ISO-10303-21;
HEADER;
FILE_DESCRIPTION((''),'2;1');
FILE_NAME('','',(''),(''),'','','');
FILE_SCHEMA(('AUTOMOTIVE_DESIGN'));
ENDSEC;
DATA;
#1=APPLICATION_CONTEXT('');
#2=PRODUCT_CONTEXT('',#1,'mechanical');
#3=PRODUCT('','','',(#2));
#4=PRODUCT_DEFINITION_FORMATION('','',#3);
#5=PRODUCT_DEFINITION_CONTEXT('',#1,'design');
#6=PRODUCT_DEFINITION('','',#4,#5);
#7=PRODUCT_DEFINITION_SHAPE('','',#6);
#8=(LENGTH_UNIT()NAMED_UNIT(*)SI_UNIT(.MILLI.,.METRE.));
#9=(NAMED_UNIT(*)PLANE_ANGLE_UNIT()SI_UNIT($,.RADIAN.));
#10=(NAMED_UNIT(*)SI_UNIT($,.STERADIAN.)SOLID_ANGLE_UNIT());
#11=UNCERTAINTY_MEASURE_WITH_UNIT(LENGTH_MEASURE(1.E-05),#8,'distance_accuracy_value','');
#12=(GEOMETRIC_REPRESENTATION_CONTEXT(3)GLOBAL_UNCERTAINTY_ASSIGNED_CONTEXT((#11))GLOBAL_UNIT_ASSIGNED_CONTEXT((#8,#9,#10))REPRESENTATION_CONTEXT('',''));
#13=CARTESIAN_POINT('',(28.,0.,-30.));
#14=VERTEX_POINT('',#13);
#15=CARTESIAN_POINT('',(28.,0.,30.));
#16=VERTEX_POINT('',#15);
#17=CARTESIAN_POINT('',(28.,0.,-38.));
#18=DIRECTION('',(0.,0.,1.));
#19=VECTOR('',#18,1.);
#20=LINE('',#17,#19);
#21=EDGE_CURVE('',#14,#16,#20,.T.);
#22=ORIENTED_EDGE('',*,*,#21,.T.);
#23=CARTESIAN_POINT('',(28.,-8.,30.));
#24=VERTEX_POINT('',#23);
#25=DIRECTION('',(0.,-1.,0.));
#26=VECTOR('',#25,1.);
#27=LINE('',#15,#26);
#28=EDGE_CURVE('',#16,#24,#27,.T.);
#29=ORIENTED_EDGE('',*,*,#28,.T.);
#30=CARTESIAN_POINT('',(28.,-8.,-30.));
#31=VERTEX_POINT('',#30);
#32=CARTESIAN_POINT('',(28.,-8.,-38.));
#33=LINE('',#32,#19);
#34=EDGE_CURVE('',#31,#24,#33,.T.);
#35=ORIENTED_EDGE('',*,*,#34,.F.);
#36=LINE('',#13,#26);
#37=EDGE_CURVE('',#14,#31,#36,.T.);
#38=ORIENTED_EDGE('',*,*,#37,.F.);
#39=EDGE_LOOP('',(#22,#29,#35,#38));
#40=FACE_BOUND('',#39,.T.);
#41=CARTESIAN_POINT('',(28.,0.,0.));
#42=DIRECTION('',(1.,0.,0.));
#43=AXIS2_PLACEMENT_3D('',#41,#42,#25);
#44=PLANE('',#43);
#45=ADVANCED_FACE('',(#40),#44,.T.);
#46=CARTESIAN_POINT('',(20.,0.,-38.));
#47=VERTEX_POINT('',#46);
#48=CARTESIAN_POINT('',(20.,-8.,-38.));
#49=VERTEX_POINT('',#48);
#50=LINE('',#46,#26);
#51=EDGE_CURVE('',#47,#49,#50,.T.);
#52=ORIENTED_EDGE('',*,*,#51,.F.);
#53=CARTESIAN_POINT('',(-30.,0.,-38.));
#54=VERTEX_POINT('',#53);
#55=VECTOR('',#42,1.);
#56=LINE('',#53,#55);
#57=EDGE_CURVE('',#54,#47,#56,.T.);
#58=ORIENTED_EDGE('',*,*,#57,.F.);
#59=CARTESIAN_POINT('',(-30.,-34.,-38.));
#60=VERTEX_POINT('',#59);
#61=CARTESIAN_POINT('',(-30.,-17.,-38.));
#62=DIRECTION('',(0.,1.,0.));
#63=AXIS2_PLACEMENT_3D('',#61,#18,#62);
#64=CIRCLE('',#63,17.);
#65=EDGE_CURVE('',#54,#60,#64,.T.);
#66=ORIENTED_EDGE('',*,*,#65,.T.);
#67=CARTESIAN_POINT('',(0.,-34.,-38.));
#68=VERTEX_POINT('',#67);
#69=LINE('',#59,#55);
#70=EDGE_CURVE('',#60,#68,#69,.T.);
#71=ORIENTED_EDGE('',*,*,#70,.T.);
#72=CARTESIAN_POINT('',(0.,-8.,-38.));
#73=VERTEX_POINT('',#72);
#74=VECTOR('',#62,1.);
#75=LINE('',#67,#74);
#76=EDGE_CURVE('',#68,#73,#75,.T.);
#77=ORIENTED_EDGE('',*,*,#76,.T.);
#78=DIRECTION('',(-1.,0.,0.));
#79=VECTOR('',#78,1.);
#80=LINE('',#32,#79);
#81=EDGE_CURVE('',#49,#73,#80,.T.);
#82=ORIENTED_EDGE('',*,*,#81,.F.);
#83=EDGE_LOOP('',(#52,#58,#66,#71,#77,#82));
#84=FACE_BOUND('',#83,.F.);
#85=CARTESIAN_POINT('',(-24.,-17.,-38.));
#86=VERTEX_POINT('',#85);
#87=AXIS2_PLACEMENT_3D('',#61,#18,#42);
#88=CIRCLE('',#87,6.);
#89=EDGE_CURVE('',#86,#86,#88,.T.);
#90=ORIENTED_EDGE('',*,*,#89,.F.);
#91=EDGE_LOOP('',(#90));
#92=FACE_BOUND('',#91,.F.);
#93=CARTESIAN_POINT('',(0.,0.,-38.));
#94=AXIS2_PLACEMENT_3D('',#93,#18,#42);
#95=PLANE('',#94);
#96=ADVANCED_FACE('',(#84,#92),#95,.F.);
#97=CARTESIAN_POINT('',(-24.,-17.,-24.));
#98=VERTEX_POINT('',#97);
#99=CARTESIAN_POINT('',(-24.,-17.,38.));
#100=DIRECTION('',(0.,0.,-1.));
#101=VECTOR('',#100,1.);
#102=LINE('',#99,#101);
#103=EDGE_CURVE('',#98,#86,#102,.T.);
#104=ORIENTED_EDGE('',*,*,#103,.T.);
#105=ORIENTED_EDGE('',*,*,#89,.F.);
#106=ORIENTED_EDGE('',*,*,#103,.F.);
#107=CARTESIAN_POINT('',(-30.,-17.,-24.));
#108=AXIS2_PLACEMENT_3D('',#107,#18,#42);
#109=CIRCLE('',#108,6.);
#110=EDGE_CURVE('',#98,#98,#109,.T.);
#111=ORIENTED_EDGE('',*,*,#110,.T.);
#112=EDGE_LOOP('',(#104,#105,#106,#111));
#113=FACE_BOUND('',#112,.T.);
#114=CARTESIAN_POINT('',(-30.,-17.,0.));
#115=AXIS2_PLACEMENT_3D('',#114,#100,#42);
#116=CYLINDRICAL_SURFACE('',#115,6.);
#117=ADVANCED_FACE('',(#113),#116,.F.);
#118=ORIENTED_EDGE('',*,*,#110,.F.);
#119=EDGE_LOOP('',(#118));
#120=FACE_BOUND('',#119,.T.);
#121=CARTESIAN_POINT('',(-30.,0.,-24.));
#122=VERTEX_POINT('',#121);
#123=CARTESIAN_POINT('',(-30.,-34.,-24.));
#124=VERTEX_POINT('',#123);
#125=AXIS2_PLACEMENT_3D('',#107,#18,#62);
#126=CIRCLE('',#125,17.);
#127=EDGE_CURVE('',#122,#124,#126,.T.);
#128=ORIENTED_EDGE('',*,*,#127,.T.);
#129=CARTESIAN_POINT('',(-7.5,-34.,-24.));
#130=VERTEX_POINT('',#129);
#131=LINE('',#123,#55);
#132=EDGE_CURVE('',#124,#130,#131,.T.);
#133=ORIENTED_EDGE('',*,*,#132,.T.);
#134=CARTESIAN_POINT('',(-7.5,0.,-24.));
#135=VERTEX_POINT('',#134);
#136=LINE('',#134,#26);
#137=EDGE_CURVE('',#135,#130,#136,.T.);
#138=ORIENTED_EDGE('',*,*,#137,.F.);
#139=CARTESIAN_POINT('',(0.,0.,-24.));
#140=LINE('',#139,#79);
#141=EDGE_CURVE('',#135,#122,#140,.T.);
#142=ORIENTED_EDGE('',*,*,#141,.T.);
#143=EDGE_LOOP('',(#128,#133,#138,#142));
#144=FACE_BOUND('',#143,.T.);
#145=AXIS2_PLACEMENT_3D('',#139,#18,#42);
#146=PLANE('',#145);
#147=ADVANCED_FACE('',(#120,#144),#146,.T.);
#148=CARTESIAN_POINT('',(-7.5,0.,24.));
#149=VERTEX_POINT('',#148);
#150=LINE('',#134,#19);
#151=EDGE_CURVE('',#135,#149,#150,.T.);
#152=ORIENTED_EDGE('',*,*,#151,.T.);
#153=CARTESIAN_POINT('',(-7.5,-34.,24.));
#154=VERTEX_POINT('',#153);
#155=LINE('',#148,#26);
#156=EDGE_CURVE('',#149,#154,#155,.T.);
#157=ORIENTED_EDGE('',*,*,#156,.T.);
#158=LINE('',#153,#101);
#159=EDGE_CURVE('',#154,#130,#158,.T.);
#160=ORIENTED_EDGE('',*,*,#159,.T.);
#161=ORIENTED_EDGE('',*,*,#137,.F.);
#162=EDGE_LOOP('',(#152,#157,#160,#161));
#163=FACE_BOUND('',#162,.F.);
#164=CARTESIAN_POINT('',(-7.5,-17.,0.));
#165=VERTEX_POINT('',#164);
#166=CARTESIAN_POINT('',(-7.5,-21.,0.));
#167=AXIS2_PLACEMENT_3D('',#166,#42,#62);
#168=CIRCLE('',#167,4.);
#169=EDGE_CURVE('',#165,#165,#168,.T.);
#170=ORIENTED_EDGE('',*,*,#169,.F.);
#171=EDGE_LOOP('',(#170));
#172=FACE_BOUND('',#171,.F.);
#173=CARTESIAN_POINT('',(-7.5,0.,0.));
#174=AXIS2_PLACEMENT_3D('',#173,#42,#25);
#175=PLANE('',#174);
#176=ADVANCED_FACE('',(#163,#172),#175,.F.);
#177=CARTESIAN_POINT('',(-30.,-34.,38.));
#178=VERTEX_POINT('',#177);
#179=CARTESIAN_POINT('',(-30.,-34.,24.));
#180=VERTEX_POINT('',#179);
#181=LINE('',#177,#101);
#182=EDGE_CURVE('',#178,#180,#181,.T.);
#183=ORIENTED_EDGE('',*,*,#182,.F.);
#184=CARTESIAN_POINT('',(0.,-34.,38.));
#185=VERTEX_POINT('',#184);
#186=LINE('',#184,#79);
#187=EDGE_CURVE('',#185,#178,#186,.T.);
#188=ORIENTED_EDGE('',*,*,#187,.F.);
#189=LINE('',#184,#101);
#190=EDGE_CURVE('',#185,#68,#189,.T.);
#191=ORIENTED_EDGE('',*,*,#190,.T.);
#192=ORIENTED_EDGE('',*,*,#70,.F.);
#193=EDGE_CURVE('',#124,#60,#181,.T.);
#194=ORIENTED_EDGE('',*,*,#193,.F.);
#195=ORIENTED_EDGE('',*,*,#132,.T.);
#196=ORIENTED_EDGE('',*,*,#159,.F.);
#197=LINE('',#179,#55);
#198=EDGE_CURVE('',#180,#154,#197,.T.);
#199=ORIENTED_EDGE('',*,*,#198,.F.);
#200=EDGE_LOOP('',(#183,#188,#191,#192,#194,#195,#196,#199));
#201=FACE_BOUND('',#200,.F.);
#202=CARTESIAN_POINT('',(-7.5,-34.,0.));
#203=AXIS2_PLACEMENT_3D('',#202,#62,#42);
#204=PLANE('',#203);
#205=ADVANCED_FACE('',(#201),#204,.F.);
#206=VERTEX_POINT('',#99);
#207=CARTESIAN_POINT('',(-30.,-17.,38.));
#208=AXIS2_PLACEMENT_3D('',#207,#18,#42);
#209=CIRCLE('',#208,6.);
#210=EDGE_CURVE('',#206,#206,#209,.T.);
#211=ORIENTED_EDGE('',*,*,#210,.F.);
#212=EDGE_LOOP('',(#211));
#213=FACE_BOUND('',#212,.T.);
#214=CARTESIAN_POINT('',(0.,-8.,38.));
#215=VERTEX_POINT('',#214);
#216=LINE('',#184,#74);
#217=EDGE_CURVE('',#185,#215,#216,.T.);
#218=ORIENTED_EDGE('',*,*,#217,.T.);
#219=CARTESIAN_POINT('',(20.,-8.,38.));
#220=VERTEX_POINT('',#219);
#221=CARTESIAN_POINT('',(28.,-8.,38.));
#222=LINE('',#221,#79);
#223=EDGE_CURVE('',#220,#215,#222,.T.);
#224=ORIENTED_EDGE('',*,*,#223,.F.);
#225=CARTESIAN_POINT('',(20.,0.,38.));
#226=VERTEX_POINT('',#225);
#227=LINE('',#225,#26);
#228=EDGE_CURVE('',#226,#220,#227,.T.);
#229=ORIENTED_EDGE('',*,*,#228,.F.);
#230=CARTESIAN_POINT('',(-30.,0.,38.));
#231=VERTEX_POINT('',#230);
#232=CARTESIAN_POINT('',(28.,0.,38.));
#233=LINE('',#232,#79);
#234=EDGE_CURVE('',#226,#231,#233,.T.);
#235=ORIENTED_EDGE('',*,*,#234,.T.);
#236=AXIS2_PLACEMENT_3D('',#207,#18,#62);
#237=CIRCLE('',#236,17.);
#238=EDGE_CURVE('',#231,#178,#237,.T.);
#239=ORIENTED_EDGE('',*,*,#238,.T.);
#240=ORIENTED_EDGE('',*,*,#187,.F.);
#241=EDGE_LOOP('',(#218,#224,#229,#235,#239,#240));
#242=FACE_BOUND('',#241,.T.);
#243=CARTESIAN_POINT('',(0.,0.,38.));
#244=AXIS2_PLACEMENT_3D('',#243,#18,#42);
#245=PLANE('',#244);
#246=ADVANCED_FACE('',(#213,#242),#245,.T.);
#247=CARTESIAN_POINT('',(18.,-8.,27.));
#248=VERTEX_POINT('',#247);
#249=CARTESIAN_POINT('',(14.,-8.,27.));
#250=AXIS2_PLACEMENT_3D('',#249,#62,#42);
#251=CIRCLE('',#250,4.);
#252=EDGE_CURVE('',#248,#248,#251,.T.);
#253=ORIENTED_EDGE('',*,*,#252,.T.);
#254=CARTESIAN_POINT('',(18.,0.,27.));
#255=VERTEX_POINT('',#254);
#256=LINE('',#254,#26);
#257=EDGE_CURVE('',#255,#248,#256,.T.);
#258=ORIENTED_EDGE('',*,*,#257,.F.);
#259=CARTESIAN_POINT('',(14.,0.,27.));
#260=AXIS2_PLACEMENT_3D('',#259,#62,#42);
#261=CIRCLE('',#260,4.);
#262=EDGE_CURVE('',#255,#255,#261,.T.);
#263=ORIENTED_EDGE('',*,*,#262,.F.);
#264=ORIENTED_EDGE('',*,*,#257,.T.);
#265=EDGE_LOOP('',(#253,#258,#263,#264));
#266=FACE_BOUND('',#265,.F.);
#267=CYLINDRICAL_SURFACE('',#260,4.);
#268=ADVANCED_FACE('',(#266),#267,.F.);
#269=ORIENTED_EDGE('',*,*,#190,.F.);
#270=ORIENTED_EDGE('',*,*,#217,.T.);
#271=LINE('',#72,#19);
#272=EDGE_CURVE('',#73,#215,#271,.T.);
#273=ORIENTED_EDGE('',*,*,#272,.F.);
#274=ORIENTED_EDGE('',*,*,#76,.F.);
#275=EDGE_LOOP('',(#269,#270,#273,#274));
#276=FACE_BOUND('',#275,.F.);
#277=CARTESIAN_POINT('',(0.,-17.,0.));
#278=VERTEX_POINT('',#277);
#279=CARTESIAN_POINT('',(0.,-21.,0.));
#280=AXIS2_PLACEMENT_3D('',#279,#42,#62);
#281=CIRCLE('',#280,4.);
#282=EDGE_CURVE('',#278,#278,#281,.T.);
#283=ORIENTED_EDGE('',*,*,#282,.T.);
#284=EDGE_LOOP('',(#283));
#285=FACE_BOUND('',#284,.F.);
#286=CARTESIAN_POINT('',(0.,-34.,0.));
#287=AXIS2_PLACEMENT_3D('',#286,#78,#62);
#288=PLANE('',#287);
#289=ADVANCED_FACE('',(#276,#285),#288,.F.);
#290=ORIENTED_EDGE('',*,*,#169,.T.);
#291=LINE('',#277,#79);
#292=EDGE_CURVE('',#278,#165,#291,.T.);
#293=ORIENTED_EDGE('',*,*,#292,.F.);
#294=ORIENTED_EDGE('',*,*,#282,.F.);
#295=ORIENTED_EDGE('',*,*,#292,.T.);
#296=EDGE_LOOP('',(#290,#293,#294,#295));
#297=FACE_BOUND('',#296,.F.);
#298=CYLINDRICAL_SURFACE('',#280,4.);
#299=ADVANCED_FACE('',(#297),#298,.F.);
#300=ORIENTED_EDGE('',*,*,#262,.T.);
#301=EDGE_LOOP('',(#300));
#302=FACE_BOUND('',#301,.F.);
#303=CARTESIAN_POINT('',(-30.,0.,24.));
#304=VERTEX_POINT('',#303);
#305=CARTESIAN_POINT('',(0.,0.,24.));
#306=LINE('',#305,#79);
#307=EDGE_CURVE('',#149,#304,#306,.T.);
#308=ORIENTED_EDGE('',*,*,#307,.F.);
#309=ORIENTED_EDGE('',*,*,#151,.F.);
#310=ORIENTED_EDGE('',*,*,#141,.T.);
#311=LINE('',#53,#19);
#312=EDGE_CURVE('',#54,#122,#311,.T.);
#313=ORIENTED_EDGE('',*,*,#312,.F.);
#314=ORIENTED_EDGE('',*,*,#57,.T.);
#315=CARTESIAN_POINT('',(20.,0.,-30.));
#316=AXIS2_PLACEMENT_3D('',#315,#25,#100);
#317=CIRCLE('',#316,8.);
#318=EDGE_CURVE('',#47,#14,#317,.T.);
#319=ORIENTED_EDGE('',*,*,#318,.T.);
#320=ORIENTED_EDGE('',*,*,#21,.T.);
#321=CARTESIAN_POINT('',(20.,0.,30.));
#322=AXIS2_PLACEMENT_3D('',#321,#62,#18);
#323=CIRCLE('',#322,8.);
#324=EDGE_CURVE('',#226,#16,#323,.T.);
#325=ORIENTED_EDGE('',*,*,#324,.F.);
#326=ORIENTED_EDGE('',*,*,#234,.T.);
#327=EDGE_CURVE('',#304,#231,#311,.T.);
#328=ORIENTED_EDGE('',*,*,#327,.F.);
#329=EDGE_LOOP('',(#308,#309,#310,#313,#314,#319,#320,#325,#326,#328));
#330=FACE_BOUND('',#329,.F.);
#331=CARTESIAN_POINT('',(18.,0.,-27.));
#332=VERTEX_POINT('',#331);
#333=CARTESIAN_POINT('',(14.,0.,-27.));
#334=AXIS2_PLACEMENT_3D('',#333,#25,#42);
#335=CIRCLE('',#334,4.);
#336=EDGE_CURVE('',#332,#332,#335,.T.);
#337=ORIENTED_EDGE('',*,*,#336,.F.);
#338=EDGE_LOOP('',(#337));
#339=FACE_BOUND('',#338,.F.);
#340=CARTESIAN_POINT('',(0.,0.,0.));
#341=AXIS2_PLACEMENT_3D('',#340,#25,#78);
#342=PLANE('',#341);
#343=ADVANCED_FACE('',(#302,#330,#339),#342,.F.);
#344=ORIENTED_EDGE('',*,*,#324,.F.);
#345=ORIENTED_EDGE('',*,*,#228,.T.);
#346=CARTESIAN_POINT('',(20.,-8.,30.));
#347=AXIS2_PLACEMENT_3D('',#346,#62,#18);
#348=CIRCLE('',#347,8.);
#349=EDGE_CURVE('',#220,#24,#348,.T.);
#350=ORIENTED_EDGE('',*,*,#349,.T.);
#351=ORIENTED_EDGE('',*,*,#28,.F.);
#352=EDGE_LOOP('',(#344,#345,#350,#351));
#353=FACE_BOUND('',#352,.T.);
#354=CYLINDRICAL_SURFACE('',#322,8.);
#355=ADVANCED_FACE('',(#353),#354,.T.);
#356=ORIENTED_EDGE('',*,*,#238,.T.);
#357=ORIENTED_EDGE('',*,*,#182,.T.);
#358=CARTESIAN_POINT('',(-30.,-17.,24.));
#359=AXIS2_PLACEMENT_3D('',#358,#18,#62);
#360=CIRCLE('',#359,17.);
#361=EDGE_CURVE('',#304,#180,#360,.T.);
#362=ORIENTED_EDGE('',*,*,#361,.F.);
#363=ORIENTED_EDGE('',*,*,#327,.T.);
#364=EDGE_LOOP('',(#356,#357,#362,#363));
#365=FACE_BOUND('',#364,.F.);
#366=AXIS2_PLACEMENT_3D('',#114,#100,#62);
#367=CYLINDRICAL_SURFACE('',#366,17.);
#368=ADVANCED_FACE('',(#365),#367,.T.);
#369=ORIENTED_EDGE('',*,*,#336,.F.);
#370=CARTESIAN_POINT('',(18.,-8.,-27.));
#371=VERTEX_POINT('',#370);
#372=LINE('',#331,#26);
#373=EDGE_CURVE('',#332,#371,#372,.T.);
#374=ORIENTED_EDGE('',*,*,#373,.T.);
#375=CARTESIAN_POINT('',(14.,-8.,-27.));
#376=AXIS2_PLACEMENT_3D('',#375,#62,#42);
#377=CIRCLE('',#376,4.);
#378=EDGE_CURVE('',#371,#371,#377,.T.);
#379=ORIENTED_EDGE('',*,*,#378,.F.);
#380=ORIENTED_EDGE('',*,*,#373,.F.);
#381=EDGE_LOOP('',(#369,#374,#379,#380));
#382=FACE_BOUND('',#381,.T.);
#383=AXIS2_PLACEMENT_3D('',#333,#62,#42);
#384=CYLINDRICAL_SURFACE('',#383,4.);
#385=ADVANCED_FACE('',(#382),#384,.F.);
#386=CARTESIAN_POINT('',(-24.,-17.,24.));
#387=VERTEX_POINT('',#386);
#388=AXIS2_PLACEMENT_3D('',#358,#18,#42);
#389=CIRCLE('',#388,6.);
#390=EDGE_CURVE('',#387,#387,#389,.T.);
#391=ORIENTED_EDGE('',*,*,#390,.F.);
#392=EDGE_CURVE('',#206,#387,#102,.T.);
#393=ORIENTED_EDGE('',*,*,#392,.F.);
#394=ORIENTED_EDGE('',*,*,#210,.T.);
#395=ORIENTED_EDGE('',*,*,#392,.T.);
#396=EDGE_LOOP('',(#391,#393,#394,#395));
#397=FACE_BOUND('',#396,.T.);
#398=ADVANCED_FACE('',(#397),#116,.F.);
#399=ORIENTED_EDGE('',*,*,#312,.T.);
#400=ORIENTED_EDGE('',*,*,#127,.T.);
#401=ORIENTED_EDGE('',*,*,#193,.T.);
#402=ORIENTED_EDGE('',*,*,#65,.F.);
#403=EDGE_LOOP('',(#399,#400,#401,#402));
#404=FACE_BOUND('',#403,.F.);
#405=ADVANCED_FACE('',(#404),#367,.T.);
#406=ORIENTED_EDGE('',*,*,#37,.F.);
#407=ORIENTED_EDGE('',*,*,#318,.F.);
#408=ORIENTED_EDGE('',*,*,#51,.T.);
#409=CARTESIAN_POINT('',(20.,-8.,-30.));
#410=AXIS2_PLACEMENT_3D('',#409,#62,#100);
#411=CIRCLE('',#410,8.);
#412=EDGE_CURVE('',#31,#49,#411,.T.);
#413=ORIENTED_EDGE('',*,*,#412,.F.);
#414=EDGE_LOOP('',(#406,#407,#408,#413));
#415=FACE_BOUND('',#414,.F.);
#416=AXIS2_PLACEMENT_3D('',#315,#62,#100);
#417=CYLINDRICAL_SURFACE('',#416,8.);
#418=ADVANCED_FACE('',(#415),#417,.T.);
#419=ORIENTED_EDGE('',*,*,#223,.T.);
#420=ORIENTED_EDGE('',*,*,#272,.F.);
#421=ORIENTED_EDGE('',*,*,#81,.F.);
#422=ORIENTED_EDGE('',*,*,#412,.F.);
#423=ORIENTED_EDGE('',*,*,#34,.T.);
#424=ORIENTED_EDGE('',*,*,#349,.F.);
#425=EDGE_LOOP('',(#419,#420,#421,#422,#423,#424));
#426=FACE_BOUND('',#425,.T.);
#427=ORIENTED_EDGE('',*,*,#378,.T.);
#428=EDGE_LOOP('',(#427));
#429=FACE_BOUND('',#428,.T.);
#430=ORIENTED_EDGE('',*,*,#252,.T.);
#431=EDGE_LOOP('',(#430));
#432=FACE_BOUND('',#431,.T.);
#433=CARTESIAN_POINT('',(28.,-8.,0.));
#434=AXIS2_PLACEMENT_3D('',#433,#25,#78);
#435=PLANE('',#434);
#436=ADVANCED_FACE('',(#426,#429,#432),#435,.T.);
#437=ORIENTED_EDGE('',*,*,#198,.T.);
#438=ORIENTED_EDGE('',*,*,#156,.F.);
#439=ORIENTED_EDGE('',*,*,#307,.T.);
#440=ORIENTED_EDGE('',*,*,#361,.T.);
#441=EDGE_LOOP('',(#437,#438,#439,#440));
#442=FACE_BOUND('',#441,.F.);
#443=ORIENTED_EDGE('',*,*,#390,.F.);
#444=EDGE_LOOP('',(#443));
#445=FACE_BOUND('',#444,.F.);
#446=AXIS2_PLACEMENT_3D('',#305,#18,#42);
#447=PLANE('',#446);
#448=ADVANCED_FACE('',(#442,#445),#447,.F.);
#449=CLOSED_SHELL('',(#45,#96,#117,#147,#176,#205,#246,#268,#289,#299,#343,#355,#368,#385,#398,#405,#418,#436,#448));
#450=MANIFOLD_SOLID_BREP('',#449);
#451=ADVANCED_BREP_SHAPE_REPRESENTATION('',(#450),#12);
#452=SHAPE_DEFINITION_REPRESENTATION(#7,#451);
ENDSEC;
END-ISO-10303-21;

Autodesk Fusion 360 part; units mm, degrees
sketch "Sketch1" plane through (0, 0, 0) normal (0, 0, 1) x (1, 0, 0)
  line L0 (0, 0) -> (-30, 0)
  line L1 (-30, -34) -> (0, -34)
  line L2 (0, -34) -> (0, 0)
  line L3 (0, 0) -> (28, 0)
  line L4 (28, 0) -> (28, -8)
  line L5 (28, -8) -> (0, -8)
  line L6 (0, -8) -> (0, 0)
  arc A0 (-30, 0) -> (-30, -34) centre (-30, -17) ccw
  circle A1 centre (-30, -17) radius 6
  line L7 (-7.5, 0) -> (-7.5, -34)
  dimension "d2" = 28
  dimension "d3" = 8
  dimension "d4" = 34
  dimension "d5" = 34
  dimension "d6" = 17
  dimension "d7" = 12
  dimension "d8" = 30
  dimension "d9" = 7.5
sketch "Sketch2" plane through (0, 0, 0) normal (0, 1, 0) x (1, 0, 0)
  circle A0 centre (14, -27) radius 4
  line L0 (20, -38) -> (28, -38)
  line L1 (28, -38) -> (28, -30)
  arc A1 (20, -38) -> (28, -30) centre (20, -30) ccw
  dimension "d18" = 8
  dimension "d19" = 27
  dimension "d20" = 14
  dimension "d29" = 16
  dimension "d30" = 38
  dimension "d31" = 28
sketch "Sketch3" plane through (0, 0, 0) normal (1, 0, 0) x (0, 1, 0)
  circle A0 centre (-21, 0) radius 4
  line L0 (0, 0) -> (-21, 0) construction
  dimension "d22" = 8
  dimension "d23" = 21
extrude "Extrude1" add sketch "Sketch1" along normal blind 38 and the other way blind 38
extrude "Extrude2" cut sketch "Sketch1" along normal blind 24 and the other way blind 24 contours L0 L1 A0 L7
extrude "Extrude3" cut sketch "Sketch2" against normal through all
extrude "Extrude4" cut sketch "Sketch3" against normal through all
mirror "Mirror1" about plane through (0, 0, 0) normal (0, 0, 1) of "Extrude3"
equation "d4 = ( 17 * 2 ) * 1 mm"
equation "d5 = ( 17 * 2 ) * 1 mm"
equation "d10 = ( 76 / 2 ) * 1 mm"
equation "d12 = ( 76 / 2 ) * 1 mm"
equation "d14 = ( 76 / 2 ) * 1 mm - 14 mm"
equation "d16 = ( 76 / 2 ) * 1 mm - 14 mm"
equation "d19 = ( 76 / 2 ) * 1 mm - 11 mm"
equation "d23 = ( 17 * 2 ) * 1 mm - 13 mm"
equation "d30 = ( 76 / 2 ) * 1 mm"
